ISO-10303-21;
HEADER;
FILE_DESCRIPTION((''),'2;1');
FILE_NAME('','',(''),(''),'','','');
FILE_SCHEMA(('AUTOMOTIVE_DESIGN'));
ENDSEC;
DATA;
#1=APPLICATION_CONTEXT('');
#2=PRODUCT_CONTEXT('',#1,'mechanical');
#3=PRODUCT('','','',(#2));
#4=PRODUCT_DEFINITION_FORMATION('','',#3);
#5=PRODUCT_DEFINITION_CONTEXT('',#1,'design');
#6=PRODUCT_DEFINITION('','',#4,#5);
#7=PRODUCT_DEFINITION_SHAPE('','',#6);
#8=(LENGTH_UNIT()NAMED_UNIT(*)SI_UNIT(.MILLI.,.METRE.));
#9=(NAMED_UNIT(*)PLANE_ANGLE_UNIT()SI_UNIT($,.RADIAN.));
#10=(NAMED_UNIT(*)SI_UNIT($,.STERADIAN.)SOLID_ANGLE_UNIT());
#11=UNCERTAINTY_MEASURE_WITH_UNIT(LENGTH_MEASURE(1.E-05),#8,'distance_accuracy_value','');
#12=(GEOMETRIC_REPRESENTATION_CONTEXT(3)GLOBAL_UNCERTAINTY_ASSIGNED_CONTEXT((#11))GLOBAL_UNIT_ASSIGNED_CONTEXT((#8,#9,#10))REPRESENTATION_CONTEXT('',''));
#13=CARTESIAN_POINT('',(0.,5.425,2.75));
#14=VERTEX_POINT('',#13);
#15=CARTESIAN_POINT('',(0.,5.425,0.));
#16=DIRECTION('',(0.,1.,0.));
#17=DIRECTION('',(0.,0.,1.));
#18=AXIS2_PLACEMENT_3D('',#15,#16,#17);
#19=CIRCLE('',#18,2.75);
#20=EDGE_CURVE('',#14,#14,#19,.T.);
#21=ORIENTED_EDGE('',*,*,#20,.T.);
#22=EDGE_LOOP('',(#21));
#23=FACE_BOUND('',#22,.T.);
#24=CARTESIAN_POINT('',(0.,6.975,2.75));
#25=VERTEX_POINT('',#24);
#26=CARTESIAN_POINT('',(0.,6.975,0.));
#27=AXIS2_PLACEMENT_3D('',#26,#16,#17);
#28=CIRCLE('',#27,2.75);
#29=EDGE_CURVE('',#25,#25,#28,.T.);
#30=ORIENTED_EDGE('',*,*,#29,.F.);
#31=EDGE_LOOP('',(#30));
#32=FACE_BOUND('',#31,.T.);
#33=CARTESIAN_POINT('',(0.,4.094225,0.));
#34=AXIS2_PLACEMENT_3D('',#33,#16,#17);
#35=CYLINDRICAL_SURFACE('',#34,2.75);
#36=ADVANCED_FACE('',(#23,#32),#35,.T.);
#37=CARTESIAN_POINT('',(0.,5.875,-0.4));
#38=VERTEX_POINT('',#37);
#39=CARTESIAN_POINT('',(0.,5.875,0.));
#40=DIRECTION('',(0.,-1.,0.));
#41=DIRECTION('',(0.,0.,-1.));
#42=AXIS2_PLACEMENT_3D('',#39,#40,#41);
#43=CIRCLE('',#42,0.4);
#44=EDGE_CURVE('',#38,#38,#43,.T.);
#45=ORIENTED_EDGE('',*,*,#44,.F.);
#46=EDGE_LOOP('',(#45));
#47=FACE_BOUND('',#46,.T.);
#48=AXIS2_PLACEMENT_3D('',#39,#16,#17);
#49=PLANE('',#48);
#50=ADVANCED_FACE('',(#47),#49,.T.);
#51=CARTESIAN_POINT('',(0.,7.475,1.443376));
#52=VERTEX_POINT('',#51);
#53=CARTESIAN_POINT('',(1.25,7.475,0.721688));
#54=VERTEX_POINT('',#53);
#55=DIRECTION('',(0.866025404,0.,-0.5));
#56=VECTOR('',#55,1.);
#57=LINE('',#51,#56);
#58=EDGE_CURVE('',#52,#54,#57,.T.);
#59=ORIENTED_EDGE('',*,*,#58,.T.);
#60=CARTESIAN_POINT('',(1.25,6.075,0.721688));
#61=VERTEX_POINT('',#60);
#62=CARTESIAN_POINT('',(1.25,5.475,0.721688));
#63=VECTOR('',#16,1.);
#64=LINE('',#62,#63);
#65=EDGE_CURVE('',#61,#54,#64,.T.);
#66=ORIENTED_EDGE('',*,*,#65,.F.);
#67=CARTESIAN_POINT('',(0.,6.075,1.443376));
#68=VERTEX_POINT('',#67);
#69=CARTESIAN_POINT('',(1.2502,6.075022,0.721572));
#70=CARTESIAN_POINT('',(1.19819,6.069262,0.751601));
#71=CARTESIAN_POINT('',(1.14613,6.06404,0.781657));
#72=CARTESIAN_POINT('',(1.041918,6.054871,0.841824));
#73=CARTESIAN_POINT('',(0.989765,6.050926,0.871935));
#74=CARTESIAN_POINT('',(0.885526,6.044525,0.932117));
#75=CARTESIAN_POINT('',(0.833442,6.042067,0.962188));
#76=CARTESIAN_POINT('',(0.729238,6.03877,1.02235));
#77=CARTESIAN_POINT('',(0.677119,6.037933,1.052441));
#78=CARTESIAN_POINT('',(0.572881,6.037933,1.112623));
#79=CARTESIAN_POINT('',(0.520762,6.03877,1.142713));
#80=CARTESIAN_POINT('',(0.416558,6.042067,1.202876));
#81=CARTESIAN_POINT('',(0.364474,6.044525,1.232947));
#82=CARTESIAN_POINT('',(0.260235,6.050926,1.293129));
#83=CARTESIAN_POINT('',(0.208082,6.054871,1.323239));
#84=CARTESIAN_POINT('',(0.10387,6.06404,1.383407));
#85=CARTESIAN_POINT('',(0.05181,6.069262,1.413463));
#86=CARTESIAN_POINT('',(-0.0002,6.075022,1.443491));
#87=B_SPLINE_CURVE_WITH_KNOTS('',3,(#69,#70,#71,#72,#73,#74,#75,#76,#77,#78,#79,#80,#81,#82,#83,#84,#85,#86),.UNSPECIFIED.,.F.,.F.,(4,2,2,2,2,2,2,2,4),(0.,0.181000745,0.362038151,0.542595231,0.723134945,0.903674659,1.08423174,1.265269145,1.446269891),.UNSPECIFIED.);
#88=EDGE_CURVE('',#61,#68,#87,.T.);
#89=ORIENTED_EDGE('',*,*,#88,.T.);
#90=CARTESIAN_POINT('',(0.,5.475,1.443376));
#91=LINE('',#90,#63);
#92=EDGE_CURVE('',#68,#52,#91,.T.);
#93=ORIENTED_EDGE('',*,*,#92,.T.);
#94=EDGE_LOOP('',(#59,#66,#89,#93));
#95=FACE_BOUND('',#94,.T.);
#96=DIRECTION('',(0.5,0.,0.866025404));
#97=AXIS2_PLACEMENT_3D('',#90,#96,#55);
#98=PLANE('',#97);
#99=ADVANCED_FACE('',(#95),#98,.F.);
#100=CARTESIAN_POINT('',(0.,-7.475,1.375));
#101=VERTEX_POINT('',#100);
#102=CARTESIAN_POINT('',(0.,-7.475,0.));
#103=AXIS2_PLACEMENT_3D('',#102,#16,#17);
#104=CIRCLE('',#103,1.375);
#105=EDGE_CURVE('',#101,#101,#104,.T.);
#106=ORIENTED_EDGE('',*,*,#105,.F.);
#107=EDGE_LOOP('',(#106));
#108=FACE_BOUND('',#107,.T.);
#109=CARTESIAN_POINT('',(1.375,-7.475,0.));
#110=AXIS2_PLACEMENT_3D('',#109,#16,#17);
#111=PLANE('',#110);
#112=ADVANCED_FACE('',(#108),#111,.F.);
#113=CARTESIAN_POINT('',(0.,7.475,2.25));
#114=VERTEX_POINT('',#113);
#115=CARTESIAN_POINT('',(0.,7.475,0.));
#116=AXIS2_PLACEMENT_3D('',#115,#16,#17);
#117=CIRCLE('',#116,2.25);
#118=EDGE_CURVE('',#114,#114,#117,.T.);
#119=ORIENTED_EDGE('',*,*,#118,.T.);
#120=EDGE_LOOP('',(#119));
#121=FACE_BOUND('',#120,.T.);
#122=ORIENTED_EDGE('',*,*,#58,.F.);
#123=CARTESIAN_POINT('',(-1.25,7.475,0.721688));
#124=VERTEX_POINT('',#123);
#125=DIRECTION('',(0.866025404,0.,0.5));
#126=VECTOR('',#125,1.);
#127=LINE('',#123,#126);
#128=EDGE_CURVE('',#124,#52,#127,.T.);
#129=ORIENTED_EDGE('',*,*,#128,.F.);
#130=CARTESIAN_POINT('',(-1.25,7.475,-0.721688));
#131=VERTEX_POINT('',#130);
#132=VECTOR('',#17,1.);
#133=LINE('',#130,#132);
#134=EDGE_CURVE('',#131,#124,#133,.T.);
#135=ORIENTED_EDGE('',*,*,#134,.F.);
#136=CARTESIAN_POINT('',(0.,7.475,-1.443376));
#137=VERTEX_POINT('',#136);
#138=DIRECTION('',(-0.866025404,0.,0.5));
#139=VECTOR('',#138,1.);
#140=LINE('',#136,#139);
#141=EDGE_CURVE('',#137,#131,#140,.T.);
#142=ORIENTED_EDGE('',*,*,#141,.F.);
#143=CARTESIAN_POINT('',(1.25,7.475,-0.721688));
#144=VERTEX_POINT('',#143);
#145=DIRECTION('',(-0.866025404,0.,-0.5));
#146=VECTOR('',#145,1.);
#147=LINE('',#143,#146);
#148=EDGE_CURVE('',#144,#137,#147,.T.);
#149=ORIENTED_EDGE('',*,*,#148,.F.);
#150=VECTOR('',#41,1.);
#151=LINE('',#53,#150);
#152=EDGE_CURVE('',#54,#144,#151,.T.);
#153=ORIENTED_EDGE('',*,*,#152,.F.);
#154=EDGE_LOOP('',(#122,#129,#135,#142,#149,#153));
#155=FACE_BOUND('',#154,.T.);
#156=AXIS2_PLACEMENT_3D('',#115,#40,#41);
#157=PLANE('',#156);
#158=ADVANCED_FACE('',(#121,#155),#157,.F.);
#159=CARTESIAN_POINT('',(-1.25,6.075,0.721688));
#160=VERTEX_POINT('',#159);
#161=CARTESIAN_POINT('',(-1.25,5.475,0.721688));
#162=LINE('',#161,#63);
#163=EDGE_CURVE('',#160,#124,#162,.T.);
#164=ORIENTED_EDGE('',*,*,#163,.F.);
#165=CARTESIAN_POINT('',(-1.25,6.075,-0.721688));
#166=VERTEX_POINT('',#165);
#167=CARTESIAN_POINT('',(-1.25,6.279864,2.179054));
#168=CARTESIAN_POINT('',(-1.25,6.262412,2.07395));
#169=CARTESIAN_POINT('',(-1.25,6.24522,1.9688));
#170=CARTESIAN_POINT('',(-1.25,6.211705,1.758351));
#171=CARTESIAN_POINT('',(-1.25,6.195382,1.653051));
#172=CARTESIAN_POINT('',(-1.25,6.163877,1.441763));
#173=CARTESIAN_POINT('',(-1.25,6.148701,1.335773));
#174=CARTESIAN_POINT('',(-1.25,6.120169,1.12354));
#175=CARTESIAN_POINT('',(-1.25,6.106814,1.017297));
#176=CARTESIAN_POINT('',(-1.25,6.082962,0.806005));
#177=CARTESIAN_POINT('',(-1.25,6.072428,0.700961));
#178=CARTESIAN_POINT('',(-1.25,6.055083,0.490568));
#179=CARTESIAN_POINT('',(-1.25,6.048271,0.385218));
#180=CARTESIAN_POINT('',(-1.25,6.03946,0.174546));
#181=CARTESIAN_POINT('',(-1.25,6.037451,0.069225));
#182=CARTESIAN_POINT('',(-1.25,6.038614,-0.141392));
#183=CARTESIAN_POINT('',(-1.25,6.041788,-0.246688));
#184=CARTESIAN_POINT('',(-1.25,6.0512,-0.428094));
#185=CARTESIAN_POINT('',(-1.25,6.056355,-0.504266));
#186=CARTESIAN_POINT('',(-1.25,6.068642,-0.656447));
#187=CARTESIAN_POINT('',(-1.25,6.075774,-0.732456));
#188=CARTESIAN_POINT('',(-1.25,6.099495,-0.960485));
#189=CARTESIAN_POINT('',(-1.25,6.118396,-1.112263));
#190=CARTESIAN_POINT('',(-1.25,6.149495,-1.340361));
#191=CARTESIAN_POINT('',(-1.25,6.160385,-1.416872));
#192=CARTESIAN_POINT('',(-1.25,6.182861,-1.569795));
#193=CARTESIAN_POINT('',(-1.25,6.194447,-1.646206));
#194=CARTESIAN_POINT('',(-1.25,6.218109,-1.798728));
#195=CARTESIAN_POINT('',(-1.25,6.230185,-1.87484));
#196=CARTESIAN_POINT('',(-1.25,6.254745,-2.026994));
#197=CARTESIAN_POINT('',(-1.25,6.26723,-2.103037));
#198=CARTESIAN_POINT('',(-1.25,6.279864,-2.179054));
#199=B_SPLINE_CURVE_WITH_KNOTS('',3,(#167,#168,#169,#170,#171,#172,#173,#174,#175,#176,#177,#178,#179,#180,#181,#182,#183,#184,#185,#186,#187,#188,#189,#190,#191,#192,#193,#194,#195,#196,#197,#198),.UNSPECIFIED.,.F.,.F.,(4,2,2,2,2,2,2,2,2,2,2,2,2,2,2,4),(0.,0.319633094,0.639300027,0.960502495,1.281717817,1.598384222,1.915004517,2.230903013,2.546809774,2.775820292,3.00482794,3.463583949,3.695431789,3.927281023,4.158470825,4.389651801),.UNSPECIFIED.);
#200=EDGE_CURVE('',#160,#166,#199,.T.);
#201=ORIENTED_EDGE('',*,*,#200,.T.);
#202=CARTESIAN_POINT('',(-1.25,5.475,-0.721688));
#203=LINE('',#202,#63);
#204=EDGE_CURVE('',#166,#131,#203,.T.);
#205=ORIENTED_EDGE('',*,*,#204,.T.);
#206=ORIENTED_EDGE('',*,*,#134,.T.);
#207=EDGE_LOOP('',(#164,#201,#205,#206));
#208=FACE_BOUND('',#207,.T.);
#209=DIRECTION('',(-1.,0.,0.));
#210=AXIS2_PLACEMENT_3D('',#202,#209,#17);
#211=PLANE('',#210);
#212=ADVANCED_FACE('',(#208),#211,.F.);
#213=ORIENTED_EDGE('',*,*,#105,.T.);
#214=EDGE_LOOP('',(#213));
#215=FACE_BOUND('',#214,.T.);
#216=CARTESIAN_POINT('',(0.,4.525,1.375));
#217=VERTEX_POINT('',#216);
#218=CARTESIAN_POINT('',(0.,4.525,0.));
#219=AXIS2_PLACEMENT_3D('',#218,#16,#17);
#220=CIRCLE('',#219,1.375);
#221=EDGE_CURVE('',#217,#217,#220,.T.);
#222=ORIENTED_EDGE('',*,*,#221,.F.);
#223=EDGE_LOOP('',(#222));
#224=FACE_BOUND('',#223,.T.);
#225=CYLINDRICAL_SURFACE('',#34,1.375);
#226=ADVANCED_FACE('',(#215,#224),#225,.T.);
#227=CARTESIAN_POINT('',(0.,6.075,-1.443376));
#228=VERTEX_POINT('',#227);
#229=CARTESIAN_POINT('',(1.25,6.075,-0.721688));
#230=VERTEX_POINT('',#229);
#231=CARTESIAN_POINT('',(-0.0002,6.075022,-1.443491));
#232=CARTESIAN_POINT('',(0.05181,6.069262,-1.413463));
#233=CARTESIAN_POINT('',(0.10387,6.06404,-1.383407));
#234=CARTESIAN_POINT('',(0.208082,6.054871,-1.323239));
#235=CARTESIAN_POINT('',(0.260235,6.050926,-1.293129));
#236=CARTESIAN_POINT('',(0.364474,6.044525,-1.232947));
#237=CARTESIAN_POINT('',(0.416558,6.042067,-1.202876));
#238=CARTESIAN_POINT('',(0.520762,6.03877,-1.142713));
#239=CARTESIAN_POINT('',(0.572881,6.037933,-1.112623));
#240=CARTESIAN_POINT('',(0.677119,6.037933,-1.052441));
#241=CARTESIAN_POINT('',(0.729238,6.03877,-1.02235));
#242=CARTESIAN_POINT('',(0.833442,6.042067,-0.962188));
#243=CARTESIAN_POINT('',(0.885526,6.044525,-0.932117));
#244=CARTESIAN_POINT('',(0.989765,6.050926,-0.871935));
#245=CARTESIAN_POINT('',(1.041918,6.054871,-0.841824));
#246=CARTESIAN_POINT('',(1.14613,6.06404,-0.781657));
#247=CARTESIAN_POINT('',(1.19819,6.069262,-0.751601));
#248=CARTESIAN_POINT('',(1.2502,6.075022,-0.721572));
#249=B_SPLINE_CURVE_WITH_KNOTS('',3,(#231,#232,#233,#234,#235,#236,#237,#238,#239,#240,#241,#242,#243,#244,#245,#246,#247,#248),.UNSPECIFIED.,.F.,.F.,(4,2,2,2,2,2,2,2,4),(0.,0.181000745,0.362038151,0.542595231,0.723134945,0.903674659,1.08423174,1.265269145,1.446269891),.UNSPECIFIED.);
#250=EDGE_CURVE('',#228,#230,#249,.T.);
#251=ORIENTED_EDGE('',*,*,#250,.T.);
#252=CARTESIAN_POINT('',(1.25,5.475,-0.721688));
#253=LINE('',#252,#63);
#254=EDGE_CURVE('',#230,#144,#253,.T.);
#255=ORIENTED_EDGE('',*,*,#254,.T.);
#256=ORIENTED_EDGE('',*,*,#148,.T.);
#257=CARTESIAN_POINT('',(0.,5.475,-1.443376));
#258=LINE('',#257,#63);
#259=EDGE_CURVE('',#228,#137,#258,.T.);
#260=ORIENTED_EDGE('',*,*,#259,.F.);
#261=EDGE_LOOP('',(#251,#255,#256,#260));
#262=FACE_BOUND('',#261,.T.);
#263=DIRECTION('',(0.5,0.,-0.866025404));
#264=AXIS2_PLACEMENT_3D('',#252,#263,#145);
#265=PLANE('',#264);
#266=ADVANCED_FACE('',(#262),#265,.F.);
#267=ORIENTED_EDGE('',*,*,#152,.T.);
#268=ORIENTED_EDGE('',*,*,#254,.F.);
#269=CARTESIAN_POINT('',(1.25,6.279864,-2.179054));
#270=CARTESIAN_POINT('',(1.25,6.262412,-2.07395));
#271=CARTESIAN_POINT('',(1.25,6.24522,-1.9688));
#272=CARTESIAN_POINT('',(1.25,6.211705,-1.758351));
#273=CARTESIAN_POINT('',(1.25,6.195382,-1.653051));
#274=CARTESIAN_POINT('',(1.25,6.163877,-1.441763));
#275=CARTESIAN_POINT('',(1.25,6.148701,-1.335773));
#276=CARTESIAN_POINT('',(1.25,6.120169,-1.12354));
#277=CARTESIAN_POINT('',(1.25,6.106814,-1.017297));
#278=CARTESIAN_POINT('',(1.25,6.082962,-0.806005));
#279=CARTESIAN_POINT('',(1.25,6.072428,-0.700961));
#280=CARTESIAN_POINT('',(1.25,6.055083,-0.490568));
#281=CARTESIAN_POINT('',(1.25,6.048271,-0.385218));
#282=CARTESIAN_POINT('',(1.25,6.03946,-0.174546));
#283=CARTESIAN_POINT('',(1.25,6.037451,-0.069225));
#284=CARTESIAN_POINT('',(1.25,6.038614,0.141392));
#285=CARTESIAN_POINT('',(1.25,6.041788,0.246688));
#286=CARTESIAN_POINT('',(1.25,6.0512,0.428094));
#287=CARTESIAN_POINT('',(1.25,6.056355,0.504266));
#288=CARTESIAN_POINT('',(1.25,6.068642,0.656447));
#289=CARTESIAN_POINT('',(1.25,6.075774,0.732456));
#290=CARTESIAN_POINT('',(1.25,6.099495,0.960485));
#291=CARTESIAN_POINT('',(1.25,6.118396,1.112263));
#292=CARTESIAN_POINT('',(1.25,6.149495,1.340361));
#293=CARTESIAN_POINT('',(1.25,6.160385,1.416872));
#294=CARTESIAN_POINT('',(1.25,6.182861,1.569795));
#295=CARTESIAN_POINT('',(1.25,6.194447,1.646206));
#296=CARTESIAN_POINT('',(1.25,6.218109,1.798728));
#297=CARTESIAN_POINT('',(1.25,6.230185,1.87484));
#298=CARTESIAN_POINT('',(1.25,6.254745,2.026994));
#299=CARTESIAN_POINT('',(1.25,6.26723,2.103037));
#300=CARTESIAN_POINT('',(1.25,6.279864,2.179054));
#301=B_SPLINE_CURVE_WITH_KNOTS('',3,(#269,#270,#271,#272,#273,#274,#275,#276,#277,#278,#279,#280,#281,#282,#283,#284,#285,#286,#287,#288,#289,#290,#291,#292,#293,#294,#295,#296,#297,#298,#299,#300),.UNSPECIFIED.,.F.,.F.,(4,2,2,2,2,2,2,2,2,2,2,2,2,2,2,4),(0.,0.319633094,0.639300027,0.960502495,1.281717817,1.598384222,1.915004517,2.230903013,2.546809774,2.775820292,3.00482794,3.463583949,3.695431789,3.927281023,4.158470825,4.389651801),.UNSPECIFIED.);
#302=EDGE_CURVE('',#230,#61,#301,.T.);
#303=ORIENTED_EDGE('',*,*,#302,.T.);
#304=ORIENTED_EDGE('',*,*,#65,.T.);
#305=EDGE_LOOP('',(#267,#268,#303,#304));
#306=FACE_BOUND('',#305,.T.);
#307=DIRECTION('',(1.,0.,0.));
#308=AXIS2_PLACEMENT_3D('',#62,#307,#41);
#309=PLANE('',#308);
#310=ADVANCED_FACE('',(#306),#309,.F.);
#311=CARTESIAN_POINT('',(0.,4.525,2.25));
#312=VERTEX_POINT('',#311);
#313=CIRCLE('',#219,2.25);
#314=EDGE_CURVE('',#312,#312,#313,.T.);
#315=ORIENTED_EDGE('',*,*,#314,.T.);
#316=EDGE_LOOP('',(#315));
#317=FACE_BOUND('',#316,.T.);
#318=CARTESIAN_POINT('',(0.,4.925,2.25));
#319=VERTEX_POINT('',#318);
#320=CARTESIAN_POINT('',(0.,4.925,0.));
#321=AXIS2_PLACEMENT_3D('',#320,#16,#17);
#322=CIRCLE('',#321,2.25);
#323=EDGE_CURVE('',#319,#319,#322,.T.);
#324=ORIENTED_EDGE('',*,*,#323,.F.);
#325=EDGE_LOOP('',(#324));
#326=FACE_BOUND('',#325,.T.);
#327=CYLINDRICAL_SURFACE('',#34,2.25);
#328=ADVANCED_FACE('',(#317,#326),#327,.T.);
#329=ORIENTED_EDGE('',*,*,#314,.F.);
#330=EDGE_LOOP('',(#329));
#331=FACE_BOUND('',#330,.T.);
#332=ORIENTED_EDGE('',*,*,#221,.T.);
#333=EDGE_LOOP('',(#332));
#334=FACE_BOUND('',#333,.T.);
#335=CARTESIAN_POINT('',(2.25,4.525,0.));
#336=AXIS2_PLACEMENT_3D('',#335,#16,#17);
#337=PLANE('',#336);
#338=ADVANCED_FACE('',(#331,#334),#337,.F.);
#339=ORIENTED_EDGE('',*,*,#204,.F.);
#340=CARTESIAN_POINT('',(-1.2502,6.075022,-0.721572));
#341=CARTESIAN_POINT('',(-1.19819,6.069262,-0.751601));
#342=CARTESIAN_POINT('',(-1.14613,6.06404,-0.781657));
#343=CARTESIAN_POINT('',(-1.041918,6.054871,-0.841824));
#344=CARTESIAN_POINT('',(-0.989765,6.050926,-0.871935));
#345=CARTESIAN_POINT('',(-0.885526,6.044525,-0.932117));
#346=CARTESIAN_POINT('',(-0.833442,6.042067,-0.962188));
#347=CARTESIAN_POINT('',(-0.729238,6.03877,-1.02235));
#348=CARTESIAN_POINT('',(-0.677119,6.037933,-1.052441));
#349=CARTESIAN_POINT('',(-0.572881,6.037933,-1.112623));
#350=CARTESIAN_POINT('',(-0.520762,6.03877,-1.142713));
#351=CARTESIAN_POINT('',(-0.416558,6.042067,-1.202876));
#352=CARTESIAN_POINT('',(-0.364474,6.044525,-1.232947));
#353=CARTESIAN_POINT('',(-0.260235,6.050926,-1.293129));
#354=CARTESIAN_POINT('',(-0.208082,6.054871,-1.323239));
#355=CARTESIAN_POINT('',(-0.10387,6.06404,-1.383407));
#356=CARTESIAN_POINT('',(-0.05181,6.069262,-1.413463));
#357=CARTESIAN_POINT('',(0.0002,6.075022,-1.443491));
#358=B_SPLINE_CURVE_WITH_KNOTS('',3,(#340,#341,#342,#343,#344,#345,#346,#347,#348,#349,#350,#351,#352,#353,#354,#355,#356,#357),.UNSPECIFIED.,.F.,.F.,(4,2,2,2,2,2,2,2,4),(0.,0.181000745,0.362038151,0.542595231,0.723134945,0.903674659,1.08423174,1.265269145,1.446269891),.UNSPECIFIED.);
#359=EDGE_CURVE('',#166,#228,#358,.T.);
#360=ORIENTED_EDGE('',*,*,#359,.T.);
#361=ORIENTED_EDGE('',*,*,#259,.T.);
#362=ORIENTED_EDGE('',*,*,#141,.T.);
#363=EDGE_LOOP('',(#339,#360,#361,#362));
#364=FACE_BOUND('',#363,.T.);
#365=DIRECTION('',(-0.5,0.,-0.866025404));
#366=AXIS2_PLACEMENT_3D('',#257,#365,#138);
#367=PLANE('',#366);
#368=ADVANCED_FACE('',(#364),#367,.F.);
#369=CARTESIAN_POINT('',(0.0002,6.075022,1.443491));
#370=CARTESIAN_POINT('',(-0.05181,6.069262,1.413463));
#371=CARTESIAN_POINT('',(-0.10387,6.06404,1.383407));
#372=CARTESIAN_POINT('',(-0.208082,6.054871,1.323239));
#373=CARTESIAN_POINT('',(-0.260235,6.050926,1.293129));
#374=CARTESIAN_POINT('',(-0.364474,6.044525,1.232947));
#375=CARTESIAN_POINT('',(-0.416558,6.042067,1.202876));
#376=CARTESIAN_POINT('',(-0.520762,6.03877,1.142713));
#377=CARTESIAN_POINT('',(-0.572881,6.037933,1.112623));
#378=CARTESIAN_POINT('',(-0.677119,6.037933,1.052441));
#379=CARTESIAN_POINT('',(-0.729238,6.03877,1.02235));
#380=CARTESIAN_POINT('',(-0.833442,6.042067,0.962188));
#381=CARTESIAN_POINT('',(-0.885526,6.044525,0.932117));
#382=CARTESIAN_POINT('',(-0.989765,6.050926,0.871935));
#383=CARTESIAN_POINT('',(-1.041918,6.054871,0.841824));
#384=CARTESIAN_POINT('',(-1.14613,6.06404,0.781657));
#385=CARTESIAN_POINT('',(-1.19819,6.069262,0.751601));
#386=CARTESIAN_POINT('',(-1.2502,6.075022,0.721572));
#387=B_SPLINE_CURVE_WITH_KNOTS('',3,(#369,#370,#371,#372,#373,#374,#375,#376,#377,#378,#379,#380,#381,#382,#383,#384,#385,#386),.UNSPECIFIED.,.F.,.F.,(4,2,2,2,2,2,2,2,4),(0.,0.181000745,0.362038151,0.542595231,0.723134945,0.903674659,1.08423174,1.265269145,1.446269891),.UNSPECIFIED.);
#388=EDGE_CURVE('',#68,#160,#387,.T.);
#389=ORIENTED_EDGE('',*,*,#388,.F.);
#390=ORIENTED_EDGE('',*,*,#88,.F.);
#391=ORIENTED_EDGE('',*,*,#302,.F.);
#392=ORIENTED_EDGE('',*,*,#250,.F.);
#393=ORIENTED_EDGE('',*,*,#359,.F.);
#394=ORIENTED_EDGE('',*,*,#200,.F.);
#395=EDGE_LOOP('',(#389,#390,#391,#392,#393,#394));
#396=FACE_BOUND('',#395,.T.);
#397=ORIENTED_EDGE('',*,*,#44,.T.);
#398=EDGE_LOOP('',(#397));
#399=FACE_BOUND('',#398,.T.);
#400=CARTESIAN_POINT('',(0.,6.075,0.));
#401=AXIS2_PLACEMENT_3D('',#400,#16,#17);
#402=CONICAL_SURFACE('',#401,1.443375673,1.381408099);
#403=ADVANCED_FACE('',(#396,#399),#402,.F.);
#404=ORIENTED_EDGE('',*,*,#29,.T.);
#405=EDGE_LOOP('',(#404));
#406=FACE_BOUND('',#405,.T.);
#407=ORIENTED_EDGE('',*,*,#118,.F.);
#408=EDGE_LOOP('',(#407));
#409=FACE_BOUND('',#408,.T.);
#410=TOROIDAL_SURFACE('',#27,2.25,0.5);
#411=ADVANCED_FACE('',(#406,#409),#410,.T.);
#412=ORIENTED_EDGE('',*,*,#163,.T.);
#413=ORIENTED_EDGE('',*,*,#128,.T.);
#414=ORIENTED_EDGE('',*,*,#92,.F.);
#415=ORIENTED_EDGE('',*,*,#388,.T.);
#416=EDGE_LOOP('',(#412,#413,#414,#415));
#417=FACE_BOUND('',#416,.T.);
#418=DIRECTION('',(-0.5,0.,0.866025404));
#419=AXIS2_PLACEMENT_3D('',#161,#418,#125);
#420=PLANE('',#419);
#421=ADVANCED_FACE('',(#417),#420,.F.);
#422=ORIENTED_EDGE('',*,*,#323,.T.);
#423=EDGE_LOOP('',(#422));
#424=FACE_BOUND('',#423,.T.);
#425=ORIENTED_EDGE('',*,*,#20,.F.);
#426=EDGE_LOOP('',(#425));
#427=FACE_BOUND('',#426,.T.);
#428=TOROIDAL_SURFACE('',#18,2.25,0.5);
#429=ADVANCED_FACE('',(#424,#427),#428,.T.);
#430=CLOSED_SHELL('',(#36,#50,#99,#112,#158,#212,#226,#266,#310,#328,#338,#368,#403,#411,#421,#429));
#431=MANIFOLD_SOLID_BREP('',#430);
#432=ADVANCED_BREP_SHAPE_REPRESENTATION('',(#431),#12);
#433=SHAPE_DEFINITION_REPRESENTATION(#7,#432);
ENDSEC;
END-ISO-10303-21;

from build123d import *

# Parameters (mm, degrees)
BOSS_EXTRUDE1_DEPTH = 2


with BuildPart() as part:
    # Sketch1 → Revolve1 (revolve)
    with BuildSketch(Plane.XY):
        with BuildLine():
            Line((0, 7.475), (2.25, 7.475))
            ThreePointArc((2.25, 7.475), (2.603553391, 7.328553391), (2.75, 6.975))
            Line((2.75, 6.975), (2.75, 5.425))
            ThreePointArc((2.75, 5.425), (2.603553391, 5.071446609), (2.25, 4.925))
            Line((2.25, 4.925), (2.25, 4.525))
            Line((2.25, 4.525), (1.375, 4.525))
            Line((1.375, 4.525), (1.375, -7.475))
            Line((1.375, -7.475), (0, -7.475))
            Line((0, -7.475), (0, 7.475))
        make_face()
    revolve(axis=Axis((0, 4.094224924, 0), (0, -1, 0)))


with BuildPart() as body_2:
    # Sketch2 → Boss-Extrude1 (new body)
    with BuildSketch(Plane(origin=(0, 7.475, 0), x_dir=(1, 0, 0), z_dir=(0, 1, 0))):
        Polygon((0, 1.443375673), (-1.25, 0.721687836), (-1.25, -0.721687836), (0, -1.443375673), (1.25, -0.721687836), (1.25, 0.721687836), align=None)
    extrude(amount=-BOSS_EXTRUDE1_DEPTH)

    # Sketch3 → Cut-Revolve1 (revolve, cut)
    with BuildSketch(Plane(origin=(0, 0, 0), x_dir=(0, 0, -1), z_dir=(1, 0, 0))):
        Polygon((0, 5.875), (0.4, 5.875), (1.443375673, 6.075), (1.443375673, 5.475), (0, 5.475), align=None)
    revolve(axis=Axis((0, 5.475, 0), (0, 1, 0)), mode=Mode.SUBTRACT)


with BuildPart() as part_1:
    add(part.part)

    # Combine1: cut body 2
    add(body_2.part, mode=Mode.SUBTRACT)


solid = part_1.part
